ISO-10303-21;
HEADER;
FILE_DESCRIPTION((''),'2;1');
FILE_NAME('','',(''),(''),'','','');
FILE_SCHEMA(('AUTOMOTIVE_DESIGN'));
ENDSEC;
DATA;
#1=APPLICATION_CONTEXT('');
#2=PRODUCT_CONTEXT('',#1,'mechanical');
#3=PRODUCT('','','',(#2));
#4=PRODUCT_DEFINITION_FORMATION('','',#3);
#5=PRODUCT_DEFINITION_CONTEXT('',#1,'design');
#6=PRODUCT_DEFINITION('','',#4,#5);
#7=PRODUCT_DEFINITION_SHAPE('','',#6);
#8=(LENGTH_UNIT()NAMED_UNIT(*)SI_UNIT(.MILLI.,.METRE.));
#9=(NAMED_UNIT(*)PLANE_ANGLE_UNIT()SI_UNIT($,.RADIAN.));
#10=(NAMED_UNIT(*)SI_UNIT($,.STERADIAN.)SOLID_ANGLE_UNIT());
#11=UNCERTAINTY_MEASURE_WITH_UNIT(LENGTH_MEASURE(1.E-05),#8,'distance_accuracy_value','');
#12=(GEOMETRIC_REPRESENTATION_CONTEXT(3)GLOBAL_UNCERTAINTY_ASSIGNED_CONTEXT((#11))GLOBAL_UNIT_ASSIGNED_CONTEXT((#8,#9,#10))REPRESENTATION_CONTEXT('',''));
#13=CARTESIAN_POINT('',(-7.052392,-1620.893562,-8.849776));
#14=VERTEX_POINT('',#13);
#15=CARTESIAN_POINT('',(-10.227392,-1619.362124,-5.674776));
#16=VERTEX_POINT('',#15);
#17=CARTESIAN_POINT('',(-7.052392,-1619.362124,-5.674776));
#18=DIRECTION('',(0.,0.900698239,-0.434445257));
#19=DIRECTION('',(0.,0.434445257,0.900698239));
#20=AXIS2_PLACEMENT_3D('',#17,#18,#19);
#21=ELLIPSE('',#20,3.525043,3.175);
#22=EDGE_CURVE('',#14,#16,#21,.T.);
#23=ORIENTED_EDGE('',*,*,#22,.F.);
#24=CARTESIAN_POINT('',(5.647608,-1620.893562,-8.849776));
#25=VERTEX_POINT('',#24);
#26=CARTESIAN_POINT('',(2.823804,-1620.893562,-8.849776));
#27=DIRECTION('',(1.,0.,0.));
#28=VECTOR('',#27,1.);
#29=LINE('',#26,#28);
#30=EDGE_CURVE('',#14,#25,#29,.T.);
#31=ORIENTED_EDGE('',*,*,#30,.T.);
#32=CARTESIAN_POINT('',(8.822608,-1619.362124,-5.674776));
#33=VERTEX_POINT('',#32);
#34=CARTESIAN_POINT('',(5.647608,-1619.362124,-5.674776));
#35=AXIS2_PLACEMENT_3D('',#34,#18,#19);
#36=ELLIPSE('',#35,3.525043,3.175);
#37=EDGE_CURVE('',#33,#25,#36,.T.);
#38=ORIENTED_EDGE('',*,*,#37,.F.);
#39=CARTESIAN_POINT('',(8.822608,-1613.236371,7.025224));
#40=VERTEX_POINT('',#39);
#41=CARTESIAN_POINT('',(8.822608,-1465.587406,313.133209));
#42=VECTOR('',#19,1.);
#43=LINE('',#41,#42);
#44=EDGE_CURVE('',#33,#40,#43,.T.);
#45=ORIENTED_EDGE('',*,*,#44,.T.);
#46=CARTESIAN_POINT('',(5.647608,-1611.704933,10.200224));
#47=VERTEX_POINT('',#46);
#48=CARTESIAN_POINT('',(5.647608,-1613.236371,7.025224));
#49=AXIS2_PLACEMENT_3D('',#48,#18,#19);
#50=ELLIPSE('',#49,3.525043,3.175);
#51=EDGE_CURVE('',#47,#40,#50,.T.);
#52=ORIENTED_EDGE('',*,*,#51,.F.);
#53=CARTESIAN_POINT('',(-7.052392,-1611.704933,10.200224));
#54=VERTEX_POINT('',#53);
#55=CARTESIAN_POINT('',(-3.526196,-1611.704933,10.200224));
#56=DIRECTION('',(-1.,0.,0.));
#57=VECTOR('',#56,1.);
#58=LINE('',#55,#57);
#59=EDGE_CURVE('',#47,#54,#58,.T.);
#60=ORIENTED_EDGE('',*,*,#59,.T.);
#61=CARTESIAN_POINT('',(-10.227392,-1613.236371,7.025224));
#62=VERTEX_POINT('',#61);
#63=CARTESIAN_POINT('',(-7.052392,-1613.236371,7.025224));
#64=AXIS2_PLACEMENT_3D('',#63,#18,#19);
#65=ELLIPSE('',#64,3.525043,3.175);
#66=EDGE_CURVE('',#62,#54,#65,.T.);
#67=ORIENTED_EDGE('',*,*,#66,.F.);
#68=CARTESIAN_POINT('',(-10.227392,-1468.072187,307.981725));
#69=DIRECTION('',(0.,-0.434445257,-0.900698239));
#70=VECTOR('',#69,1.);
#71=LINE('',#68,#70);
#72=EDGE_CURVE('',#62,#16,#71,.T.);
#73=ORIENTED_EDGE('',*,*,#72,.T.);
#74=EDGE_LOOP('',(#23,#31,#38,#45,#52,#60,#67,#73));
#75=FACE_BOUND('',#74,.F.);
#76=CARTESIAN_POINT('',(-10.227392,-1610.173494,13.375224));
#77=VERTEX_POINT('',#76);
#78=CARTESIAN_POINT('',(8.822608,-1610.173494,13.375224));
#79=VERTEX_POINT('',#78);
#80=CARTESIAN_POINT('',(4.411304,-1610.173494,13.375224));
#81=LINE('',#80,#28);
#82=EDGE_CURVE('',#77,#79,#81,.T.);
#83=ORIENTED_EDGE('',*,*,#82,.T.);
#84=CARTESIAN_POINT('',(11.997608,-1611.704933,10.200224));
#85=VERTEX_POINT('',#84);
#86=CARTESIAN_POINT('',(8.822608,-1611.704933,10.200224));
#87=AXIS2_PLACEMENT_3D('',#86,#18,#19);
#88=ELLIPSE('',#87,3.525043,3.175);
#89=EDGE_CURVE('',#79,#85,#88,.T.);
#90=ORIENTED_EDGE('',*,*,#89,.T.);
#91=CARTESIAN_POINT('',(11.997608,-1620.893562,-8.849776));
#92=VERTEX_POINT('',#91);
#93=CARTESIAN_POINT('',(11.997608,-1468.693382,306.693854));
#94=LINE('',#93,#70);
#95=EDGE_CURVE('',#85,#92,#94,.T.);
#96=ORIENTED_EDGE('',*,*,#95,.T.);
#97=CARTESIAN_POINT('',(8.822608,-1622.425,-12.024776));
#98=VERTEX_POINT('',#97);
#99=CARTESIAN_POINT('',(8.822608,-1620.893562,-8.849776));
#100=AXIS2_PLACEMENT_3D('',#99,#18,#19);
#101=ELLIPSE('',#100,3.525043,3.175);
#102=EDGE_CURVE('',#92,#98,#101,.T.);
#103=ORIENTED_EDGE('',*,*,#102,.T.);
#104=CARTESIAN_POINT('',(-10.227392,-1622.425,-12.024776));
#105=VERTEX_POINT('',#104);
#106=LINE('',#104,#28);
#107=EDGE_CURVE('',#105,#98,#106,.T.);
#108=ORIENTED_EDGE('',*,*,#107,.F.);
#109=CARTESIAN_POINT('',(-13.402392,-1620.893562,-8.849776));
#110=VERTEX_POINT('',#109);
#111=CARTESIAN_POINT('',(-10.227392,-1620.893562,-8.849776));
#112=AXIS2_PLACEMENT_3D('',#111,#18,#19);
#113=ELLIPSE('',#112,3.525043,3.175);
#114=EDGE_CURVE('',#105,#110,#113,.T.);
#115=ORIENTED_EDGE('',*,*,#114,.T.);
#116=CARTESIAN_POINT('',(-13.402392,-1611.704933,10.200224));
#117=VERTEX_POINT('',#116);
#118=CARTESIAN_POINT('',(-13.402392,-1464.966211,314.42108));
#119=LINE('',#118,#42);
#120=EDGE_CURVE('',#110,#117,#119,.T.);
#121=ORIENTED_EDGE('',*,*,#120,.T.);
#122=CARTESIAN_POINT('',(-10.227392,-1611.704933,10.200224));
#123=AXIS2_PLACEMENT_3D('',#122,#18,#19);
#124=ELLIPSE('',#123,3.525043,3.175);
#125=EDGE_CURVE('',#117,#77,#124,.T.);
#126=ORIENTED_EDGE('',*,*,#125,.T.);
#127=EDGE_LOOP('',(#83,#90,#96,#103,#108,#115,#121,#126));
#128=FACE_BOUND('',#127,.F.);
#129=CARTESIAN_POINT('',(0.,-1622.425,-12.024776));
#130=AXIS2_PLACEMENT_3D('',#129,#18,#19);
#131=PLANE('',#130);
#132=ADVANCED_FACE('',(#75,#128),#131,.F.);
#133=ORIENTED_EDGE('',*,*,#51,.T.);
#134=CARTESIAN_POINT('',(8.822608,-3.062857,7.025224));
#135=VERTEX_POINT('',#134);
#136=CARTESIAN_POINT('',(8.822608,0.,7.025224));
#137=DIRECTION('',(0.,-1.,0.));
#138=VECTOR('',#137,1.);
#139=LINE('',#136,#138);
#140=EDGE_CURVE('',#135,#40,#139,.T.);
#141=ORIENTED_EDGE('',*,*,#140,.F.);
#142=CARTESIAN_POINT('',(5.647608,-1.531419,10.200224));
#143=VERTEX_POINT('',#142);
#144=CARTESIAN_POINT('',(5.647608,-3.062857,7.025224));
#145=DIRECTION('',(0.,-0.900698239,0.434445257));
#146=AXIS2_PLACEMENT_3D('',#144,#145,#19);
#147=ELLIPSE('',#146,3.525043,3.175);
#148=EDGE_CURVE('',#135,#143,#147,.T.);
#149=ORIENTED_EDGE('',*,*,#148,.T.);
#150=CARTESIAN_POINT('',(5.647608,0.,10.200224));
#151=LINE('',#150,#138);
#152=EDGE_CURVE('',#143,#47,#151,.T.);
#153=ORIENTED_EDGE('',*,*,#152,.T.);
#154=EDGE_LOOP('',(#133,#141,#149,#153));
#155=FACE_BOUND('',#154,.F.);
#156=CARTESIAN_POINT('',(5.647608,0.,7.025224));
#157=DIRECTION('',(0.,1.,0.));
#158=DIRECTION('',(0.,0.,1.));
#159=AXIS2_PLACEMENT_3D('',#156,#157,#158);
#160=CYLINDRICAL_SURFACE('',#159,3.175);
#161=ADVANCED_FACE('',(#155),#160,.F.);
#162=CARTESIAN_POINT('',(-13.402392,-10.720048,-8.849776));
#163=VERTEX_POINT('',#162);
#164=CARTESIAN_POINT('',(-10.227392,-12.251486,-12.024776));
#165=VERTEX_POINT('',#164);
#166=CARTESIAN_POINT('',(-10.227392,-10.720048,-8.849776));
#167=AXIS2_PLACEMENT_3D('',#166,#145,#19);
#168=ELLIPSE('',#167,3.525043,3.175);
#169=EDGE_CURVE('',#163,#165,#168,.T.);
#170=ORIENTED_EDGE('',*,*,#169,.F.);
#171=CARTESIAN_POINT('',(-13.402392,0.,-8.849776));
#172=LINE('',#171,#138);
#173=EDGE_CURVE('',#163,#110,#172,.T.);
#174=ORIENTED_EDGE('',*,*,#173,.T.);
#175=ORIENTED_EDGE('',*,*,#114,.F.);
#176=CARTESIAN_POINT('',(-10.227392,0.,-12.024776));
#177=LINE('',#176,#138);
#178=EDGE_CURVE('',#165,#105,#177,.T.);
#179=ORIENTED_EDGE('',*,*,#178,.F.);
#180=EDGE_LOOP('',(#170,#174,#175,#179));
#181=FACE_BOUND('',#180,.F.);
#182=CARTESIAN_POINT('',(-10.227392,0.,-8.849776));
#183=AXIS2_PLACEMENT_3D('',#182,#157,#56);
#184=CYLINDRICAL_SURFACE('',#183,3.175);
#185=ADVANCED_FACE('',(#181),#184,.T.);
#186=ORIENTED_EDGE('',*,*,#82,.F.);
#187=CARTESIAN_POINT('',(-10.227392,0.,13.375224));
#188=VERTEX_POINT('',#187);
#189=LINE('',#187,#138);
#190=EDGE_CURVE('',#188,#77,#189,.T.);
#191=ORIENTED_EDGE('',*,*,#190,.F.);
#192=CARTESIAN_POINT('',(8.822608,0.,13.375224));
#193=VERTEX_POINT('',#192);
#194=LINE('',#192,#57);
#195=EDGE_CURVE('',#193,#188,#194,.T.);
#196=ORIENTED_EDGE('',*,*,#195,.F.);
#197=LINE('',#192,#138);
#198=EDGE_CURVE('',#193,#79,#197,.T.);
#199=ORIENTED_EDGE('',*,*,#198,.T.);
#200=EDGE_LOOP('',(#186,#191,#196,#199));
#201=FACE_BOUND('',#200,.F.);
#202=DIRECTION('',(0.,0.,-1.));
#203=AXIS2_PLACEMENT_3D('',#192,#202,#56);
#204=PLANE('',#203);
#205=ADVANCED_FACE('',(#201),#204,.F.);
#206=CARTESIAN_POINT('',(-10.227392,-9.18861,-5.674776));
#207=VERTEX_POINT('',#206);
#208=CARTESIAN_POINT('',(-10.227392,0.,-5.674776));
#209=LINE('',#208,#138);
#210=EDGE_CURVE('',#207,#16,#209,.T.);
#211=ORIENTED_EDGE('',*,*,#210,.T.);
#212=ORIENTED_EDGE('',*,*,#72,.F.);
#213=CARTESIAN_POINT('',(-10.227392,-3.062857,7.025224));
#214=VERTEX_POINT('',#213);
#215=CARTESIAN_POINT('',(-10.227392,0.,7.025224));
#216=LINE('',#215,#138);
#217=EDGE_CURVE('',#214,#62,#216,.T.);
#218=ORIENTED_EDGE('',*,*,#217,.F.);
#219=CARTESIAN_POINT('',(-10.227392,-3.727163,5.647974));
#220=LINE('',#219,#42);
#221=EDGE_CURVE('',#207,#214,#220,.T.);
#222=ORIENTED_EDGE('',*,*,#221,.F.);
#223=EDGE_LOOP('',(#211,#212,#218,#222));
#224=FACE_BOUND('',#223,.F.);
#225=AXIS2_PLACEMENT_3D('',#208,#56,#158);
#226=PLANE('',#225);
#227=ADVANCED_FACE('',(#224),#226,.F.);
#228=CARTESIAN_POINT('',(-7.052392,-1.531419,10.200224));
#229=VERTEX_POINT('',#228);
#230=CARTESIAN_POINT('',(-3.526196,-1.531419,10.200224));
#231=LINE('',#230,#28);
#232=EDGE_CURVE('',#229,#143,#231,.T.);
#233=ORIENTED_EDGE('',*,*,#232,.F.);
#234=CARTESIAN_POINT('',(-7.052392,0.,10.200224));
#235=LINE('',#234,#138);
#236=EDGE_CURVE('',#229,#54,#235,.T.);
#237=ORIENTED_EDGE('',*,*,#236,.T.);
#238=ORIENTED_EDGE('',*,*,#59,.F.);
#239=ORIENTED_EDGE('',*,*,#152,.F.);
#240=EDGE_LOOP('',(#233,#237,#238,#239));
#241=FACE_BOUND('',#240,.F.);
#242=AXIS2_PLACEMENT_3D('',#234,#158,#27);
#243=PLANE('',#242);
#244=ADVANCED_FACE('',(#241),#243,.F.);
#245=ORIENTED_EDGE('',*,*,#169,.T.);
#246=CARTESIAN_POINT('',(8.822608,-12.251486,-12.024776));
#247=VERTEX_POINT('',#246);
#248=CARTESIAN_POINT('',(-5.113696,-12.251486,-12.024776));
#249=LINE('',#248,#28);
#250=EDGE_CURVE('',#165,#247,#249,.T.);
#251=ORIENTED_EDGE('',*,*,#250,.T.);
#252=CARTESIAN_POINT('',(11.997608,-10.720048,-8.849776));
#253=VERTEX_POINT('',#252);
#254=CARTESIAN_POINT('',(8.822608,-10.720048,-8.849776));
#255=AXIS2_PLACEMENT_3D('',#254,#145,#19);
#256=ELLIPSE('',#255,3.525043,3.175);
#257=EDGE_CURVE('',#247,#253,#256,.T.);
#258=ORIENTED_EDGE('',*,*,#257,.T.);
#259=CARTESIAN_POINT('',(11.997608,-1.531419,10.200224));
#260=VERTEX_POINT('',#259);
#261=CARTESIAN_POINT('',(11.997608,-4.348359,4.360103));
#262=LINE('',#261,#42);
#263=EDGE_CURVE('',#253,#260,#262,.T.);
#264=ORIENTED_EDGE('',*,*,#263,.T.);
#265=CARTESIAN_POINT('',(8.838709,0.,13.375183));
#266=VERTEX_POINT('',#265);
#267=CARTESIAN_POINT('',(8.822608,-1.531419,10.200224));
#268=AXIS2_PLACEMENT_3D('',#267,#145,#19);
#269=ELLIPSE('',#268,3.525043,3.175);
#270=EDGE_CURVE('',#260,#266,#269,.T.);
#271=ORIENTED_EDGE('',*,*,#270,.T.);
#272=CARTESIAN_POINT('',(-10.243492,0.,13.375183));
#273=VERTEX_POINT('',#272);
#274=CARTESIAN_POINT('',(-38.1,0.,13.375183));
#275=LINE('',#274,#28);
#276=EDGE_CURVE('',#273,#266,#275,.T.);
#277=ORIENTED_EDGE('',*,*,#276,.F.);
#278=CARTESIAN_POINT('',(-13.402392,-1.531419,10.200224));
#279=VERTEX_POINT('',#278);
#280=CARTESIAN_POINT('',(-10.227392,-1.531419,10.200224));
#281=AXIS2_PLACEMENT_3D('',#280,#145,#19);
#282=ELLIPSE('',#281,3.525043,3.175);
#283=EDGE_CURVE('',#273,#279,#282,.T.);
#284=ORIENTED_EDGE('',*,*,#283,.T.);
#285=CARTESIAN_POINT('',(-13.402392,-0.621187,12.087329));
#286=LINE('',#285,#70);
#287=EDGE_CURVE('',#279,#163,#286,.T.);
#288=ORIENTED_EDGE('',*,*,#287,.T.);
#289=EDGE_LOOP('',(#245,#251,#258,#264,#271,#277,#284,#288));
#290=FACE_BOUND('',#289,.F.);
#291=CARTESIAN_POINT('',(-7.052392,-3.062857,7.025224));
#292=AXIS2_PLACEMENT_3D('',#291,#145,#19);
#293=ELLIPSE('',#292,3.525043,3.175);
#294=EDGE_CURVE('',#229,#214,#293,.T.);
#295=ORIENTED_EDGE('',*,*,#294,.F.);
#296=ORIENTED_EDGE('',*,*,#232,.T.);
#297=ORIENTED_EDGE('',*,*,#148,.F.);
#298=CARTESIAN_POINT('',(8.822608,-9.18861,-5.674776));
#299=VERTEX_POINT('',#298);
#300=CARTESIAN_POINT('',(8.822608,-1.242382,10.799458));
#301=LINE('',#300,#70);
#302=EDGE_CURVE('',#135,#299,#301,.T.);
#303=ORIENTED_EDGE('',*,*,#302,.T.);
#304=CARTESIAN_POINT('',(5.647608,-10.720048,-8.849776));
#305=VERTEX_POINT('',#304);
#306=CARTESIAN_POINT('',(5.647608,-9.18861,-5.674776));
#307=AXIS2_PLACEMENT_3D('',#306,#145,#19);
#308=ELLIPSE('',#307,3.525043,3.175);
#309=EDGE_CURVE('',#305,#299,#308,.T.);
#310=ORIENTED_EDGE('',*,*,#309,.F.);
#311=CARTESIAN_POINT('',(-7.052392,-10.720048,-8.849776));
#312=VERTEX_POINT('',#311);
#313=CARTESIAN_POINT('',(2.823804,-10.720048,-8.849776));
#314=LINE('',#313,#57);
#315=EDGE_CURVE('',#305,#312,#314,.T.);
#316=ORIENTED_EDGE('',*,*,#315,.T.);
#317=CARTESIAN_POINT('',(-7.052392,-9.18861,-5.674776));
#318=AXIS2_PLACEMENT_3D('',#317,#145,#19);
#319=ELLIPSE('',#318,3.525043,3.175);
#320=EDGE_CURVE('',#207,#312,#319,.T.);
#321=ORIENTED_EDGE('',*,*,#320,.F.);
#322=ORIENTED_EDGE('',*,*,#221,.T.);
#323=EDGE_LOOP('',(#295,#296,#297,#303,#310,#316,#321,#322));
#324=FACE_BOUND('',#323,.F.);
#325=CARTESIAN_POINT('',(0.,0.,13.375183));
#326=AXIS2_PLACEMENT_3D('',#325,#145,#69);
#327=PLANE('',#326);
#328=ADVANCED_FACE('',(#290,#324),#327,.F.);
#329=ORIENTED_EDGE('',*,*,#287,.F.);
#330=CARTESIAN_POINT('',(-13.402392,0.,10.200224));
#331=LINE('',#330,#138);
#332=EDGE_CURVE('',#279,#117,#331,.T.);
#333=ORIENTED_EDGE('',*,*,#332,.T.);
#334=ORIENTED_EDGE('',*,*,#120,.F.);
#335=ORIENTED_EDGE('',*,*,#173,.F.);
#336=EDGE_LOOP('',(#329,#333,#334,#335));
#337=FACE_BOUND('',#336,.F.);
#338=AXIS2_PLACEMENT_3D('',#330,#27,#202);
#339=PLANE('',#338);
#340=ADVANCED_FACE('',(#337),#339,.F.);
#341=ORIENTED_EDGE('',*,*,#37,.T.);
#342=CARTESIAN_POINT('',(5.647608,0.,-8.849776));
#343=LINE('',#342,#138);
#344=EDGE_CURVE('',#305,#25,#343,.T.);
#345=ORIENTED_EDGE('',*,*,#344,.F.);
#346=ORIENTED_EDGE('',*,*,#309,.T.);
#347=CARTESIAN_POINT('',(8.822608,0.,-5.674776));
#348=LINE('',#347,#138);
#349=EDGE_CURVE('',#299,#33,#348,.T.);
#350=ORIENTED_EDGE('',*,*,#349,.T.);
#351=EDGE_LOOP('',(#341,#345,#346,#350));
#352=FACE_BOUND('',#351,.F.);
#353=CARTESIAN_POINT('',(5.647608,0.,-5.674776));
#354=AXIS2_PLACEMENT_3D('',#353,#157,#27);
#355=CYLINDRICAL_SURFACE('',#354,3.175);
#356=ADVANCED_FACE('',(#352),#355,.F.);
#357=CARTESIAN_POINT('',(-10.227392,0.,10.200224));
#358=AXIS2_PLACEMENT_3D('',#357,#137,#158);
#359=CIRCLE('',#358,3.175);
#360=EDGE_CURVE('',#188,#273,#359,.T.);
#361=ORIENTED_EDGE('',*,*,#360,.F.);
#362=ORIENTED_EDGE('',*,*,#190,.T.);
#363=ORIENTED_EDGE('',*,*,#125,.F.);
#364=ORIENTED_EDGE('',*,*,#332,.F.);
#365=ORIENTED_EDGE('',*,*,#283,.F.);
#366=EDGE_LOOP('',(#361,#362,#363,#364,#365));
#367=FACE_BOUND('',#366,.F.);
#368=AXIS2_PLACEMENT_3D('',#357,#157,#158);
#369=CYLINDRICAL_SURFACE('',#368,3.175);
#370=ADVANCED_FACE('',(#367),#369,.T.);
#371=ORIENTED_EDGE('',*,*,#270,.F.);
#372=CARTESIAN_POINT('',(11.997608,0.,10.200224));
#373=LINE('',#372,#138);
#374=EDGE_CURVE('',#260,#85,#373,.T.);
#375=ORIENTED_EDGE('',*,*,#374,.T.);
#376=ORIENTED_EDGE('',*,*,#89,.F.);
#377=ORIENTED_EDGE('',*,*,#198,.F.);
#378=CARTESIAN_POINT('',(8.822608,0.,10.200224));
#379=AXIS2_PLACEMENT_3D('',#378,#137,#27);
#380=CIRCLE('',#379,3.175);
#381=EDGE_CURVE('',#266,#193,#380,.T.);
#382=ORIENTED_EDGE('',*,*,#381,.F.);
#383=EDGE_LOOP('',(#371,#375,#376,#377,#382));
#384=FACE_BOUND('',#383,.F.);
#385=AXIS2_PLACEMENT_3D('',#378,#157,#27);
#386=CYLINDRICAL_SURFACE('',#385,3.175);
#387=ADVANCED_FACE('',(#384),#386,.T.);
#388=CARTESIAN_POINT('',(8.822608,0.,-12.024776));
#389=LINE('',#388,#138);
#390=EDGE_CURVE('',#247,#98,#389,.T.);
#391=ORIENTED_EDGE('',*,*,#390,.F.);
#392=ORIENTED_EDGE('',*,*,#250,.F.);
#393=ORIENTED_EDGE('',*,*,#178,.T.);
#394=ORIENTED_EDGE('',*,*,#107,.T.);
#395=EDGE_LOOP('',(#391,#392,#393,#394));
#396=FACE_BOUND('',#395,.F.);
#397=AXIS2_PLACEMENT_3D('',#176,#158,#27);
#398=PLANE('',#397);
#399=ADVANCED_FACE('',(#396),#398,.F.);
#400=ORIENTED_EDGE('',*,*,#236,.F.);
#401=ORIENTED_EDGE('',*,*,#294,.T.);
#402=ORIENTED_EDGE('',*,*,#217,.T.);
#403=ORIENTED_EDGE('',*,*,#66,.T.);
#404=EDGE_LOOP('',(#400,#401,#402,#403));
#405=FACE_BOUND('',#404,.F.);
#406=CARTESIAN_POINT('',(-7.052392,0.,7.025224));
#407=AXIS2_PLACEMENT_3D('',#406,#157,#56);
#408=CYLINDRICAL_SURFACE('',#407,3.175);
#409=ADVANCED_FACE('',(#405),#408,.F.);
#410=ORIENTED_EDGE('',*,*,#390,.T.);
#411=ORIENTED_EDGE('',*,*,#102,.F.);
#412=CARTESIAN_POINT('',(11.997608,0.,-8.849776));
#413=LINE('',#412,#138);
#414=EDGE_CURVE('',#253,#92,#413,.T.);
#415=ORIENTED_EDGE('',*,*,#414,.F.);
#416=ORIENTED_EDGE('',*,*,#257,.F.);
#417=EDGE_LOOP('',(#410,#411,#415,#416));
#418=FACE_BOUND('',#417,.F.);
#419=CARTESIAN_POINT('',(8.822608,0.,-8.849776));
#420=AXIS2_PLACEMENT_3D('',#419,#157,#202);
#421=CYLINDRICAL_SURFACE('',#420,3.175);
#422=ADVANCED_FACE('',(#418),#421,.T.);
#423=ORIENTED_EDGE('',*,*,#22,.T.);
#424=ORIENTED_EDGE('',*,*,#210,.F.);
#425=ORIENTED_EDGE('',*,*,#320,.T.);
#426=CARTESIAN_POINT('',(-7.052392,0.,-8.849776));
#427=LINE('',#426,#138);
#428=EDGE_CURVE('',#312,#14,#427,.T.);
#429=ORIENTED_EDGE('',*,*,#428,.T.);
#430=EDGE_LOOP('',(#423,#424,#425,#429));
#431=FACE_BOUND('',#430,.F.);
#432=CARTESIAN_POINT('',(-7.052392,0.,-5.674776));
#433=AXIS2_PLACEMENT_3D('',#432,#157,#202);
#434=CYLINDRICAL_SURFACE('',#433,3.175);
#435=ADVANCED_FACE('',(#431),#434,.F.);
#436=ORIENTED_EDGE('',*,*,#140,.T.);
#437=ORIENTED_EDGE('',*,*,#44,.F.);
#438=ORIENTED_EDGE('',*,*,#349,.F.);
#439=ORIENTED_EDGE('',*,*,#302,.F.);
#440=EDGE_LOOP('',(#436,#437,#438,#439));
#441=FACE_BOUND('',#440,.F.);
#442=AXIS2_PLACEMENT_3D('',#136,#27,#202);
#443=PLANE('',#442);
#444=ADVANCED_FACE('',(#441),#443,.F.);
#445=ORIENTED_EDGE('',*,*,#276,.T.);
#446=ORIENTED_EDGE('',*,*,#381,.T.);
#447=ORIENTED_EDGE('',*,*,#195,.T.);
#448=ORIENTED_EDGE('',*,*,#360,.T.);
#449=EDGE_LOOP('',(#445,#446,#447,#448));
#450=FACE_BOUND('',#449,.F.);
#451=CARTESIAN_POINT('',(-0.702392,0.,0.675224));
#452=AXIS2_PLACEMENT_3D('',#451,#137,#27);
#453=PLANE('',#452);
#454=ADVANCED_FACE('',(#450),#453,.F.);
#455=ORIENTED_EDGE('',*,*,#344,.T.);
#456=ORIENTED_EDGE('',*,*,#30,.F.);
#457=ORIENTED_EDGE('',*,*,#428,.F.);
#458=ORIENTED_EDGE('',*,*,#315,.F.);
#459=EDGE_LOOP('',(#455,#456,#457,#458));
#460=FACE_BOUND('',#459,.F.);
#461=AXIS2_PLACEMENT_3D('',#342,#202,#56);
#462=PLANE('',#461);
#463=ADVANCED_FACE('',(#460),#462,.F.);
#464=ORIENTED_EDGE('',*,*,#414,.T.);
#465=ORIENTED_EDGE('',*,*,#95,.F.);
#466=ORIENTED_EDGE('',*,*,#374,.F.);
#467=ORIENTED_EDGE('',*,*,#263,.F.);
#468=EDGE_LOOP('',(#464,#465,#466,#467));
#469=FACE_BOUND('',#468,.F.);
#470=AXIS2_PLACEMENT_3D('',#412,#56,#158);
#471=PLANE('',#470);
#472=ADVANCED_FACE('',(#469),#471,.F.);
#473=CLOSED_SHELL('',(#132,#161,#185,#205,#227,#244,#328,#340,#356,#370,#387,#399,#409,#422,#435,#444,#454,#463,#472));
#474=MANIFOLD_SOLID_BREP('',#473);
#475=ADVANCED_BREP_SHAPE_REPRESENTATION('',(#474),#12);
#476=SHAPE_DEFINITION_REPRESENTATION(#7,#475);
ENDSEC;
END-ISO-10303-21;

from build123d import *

# Parameters (mm, degrees)
F1_DEPTH = 1622.425
F3_DEPTH = 38.1
F5_DEPTH = 25.4


with BuildPart() as f1:
    # F0 (on Front) → F1 (new body)
    with BuildSketch(Plane.XZ):
        with BuildLine():
            Line((-10.2273916114, -12.0247762322), (8.8226083886, -12.0247762322))
            ThreePointArc((8.8226083886, -12.0247762322), (11.0676724189, -11.0948402625), (11.9976083886, -8.8497762322))
            Line((11.9976083886, -8.8497762322), (11.9976083886, 10.2002237678))
            ThreePointArc((11.9976083886, 10.2002237678), (11.0676724189, 12.445287798), (8.8226083886, 13.3752237678))
            Line((8.8226083886, 13.3752237678), (-10.2273916114, 13.3752237678))
            ThreePointArc((-10.2273916114, 13.3752237678), (-12.4724556417, 12.445287798), (-13.4023916114, 10.2002237678))
            Line((-13.4023916114, 10.2002237678), (-13.4023916114, -8.8497762322))
            ThreePointArc((-13.4023916114, -8.8497762322), (-12.4724556417, -11.0948402625), (-10.2273916114, -12.0247762322))
        make_face()
        with BuildLine():
            ThreePointArc((8.8226083886, -5.6747762322), (7.8926724189, -7.9198402625), (5.6476083886, -8.8497762322))
            Line((5.6476083886, -8.8497762322), (-7.0523916114, -8.8497762322))
            ThreePointArc((-7.0523916114, -8.8497762322), (-9.2974556417, -7.9198402625), (-10.2273916114, -5.6747762322))
            Line((-10.2273916114, -5.6747762322), (-10.2273916114, 7.0252237678))
            ThreePointArc((-10.2273916114, 7.0252237678), (-9.2974556417, 9.270287798), (-7.0523916114, 10.2002237678))
            Line((-7.0523916114, 10.2002237678), (5.6476083886, 10.2002237678))
            ThreePointArc((5.6476083886, 10.2002237678), (7.8926724189, 9.270287798), (8.8226083886, 7.0252237678))
            Line((8.8226083886, 7.0252237678), (8.8226083886, -5.6747762322))
        make_face(mode=Mode.SUBTRACT)
    extrude(amount=F1_DEPTH)

    # F2 (on Right) → F3 (cut, symmetric)
    with BuildSketch(Plane.YZ):
        Polygon((0, -13.513528793), (0, 13.375182943), (-12.9695749158, -13.513528793), align=None)
    extrude(amount=F3_DEPTH, both=True, mode=Mode.SUBTRACT)

    # F4 (on Right) → F5 (cut, symmetric)
    with BuildSketch(Plane.YZ):
        Polygon((-1622.425, 14.8639355038), (-1622.425, -12.0247762322), (-1609.4554250842, 14.8639355038), align=None)
    extrude(amount=F5_DEPTH, both=True, mode=Mode.SUBTRACT)


solid = f1.part
